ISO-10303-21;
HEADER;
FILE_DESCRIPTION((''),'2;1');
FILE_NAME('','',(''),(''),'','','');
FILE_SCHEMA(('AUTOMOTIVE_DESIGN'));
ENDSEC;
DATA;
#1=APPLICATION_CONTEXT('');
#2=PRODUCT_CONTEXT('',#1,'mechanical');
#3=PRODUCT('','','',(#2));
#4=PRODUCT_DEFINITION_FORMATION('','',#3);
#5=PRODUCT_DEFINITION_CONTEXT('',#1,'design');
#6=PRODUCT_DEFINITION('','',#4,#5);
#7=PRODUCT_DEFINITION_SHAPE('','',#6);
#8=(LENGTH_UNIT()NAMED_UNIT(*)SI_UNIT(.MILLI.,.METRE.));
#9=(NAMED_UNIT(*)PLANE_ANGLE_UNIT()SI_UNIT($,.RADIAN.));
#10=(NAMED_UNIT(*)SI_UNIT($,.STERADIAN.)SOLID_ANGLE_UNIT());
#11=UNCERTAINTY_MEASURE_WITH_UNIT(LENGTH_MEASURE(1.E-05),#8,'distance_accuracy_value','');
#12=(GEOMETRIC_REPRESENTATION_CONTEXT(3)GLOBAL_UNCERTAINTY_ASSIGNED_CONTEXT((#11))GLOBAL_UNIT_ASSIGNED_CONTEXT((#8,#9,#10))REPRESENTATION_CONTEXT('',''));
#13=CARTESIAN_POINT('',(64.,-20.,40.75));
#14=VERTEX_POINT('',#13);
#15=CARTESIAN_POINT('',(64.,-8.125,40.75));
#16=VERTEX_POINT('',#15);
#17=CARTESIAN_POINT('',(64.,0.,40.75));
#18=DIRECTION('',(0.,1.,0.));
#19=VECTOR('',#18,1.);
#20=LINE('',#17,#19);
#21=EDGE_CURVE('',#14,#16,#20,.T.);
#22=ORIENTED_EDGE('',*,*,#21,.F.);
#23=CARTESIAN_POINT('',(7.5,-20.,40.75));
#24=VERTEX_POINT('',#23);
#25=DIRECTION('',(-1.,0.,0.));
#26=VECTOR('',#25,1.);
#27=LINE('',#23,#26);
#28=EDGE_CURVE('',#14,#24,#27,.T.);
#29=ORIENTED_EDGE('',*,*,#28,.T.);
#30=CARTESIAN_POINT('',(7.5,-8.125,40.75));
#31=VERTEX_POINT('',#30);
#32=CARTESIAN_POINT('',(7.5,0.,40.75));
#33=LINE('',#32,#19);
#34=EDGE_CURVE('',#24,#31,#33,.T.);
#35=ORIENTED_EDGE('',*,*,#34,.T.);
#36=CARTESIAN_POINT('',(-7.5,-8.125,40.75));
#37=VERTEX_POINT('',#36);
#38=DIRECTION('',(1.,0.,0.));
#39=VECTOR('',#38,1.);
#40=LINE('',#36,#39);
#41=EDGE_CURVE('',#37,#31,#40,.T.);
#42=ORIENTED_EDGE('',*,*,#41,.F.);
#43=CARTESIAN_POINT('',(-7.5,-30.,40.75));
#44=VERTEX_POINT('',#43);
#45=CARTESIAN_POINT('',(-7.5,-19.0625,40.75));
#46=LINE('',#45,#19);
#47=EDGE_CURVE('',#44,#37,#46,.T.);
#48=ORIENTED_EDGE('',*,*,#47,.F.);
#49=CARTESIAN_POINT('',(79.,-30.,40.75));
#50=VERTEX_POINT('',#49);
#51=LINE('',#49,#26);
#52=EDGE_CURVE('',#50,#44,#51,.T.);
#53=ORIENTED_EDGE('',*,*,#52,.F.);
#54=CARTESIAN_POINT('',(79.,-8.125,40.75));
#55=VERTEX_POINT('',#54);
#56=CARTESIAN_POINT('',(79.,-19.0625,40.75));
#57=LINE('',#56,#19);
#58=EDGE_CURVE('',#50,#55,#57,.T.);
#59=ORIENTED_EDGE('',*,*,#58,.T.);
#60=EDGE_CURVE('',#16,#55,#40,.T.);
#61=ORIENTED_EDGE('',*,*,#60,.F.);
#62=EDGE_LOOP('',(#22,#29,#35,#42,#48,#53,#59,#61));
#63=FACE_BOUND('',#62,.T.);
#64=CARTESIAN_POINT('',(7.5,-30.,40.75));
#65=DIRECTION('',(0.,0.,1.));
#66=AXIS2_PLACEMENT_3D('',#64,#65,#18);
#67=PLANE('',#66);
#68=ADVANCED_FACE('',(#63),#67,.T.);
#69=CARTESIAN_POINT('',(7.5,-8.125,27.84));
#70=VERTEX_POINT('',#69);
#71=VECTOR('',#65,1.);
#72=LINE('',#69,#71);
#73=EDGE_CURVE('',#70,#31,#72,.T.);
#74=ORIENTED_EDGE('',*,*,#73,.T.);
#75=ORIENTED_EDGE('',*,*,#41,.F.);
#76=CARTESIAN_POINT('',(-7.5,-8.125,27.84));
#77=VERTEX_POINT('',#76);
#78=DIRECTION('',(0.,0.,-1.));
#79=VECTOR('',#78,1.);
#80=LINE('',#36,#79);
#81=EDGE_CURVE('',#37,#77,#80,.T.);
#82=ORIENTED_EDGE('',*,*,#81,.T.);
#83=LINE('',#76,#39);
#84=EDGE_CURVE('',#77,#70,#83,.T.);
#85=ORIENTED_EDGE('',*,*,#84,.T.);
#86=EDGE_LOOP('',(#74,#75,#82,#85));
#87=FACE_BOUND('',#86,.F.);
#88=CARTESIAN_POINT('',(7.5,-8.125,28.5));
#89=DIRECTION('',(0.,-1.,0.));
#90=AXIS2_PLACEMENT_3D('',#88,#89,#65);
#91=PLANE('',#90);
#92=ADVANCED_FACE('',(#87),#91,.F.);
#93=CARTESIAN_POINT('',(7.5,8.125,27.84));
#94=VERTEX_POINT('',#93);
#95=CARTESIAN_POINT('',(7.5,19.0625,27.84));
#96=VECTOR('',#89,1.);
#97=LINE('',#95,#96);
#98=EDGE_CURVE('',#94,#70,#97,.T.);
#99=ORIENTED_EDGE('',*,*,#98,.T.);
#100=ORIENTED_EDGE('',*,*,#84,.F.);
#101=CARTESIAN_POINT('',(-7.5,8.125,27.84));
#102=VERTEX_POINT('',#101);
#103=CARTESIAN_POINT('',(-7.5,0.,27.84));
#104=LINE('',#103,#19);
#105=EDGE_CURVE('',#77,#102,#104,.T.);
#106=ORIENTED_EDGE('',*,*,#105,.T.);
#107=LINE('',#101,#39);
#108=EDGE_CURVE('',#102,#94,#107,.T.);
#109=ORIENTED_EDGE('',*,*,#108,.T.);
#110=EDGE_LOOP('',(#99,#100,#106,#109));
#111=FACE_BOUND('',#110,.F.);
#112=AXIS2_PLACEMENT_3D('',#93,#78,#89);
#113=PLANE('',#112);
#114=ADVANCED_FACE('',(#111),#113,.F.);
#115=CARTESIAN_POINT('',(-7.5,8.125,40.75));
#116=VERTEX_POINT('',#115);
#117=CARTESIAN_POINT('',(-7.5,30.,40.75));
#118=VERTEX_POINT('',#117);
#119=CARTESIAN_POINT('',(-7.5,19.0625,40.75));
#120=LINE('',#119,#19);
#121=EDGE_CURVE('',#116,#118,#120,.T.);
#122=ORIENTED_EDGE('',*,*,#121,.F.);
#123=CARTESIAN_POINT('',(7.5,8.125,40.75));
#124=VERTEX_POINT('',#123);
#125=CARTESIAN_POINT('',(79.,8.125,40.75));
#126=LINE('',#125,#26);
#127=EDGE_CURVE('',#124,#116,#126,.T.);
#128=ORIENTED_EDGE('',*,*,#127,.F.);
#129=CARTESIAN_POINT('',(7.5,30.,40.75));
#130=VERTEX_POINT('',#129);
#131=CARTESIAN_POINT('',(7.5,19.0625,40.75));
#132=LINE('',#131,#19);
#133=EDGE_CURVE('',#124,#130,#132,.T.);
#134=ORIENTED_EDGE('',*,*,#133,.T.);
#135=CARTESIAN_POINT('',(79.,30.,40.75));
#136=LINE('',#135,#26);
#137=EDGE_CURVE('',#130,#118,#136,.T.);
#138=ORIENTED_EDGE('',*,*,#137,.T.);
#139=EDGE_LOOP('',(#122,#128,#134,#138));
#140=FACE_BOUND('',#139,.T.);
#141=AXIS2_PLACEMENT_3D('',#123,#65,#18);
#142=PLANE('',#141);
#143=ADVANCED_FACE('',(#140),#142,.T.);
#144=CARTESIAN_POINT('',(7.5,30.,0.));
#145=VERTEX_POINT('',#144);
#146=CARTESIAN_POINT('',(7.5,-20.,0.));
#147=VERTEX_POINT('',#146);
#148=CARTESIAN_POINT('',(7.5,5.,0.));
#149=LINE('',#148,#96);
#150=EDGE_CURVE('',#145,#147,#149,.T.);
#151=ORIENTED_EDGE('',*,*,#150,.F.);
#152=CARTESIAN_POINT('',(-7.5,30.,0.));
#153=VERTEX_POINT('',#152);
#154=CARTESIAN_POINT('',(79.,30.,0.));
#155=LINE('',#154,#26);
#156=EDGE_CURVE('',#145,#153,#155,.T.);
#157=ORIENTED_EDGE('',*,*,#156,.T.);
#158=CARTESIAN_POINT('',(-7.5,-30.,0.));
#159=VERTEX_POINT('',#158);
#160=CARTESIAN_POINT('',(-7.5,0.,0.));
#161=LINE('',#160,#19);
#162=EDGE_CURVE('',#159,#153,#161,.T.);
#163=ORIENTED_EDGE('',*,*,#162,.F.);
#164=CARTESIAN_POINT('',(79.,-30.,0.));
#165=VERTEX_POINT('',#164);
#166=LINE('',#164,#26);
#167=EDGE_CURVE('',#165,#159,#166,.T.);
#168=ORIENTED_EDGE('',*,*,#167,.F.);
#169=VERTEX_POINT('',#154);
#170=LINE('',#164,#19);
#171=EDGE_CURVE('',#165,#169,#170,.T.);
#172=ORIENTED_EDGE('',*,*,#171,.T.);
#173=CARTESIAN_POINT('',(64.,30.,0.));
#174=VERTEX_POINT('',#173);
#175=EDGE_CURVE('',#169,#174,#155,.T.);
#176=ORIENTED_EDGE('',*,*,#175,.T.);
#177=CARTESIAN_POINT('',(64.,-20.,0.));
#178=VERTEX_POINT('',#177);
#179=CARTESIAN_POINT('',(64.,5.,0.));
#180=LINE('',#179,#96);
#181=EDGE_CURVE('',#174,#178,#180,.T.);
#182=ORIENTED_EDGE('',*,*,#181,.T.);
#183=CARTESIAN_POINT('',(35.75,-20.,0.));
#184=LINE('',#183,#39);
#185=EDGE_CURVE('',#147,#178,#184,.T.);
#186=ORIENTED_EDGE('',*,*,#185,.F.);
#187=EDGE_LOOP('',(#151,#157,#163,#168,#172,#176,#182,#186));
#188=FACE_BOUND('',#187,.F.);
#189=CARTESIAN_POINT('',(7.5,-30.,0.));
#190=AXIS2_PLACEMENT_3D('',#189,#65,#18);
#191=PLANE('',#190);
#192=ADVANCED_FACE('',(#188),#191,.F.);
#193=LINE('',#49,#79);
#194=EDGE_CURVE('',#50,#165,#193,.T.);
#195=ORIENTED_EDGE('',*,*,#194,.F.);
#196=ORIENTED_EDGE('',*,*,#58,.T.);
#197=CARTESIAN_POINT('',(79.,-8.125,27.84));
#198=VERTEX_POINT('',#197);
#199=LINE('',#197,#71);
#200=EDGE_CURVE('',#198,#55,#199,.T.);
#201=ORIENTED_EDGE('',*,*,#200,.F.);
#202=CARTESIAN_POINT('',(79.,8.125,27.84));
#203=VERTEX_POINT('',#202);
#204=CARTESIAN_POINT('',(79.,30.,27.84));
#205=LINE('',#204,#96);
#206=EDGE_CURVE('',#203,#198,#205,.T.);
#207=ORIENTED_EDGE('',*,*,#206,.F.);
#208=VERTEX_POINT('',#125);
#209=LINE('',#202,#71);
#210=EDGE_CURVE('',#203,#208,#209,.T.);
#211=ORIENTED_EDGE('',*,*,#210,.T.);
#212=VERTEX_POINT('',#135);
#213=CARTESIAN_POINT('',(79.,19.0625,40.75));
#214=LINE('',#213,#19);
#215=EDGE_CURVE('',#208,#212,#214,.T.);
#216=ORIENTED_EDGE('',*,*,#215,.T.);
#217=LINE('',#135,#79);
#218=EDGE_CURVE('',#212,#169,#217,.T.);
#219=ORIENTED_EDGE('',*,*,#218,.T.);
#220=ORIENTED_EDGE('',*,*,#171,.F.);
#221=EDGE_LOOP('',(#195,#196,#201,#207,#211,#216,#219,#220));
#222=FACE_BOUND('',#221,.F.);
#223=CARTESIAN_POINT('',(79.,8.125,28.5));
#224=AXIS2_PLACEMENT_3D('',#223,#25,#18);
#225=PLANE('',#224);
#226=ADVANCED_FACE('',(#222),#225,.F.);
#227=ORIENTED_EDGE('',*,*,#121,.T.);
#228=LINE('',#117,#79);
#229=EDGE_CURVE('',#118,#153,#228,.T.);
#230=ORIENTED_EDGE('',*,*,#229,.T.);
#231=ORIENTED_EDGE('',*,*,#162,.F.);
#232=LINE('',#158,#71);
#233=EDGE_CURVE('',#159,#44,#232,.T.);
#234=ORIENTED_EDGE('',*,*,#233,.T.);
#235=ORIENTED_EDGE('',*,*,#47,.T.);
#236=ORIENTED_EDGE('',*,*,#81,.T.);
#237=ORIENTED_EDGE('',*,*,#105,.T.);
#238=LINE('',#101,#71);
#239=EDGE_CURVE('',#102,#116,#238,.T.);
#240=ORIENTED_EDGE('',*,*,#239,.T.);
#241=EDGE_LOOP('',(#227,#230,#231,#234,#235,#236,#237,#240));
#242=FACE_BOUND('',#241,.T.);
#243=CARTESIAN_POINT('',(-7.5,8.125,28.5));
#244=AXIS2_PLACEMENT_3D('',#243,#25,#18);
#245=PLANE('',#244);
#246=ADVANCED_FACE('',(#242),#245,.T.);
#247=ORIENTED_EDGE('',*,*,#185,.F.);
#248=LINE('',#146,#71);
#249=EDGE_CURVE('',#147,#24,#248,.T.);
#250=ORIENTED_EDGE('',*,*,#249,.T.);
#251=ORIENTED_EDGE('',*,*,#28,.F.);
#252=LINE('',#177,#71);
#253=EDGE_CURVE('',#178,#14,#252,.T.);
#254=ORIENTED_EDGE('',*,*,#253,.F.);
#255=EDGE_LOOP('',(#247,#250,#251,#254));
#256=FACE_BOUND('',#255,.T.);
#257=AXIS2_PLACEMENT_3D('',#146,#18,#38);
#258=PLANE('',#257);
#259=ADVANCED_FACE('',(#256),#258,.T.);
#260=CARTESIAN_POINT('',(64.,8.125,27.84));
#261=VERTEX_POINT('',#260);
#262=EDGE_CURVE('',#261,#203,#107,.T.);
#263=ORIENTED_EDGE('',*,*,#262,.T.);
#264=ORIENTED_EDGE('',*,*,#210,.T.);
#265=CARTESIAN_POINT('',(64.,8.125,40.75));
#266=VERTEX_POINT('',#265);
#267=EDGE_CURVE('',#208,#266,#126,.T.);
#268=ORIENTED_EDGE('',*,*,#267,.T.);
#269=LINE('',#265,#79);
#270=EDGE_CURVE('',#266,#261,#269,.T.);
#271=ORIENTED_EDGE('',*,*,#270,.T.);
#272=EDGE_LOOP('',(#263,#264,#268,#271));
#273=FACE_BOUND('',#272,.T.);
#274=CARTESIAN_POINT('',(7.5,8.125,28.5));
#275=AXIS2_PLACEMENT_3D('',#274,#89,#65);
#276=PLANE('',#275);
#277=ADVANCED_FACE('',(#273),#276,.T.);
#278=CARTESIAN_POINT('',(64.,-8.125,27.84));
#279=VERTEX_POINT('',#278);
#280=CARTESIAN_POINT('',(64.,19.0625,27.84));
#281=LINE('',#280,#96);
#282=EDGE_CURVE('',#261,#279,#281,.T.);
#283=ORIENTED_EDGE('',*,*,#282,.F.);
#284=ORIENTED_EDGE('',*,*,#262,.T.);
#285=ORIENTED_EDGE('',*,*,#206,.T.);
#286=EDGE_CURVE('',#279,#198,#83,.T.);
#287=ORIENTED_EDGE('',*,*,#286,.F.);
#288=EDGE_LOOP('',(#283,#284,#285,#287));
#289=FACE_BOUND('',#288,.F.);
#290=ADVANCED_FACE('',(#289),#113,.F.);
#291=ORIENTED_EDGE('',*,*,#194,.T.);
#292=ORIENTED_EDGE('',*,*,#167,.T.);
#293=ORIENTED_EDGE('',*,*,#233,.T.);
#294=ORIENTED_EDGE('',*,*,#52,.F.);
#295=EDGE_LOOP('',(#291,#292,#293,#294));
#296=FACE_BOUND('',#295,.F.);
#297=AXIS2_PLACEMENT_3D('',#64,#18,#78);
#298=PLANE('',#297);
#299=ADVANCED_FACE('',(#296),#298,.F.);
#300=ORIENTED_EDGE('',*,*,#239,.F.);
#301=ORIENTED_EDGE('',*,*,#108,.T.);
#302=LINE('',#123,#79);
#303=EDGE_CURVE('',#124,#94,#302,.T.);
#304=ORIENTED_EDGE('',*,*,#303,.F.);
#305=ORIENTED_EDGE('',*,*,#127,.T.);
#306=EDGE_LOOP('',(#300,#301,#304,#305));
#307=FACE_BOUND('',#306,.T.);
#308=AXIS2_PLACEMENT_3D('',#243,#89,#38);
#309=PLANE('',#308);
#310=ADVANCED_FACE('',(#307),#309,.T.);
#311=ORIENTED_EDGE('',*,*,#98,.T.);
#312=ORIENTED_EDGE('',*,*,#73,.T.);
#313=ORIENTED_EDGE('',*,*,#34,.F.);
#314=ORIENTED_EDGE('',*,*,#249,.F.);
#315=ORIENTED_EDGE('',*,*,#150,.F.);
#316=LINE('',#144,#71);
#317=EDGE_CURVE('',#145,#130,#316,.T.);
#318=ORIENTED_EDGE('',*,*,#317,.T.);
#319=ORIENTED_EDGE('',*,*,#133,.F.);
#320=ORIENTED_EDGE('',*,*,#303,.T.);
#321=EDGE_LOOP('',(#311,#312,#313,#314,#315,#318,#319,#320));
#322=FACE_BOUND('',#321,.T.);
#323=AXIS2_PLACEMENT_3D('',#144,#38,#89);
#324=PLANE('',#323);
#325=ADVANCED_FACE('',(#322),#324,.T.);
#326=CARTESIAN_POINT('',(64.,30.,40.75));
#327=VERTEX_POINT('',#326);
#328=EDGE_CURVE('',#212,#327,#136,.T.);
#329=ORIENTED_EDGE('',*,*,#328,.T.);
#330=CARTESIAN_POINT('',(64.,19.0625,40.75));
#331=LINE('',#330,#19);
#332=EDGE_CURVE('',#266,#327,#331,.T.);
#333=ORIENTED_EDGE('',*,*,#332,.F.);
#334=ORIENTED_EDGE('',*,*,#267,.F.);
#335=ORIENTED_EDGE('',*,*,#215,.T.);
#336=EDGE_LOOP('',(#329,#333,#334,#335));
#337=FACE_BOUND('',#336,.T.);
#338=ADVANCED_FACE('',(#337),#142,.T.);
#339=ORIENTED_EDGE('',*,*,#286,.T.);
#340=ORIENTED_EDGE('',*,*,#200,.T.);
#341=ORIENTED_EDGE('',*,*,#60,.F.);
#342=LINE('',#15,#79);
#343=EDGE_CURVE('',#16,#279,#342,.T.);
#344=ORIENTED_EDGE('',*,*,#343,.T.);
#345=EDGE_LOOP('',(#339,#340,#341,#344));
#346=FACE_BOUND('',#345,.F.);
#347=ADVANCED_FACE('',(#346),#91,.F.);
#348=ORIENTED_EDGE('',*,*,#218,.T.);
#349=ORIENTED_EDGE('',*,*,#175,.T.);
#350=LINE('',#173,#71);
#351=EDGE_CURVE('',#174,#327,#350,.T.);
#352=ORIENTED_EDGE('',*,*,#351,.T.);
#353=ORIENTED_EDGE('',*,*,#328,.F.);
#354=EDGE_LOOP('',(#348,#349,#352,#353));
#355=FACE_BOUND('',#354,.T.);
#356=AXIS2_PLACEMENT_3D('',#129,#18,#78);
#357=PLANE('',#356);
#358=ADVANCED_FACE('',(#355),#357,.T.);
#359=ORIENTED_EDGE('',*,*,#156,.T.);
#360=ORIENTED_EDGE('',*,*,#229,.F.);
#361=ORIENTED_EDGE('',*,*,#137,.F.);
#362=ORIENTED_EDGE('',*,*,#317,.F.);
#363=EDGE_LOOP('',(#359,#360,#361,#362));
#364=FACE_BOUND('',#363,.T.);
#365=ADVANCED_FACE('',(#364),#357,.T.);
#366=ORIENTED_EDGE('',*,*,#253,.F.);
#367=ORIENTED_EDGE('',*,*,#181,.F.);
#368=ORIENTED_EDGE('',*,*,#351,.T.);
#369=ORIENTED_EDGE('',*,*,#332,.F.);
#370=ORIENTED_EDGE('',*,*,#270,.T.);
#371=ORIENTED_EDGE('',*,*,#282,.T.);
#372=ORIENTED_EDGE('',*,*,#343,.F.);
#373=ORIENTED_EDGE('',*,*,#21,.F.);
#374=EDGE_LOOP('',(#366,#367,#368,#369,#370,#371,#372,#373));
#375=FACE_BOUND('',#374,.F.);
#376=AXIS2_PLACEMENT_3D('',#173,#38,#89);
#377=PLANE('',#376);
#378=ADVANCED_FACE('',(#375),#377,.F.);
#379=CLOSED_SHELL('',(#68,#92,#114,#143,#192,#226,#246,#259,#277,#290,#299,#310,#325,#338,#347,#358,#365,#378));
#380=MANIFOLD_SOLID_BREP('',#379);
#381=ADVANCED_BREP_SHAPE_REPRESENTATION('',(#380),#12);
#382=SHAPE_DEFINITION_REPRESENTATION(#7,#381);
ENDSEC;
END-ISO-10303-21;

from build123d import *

# Parameters (mm, degrees)
F0_W     = 15
F0_H     = 60
F1_DEPTH = 28.5
F3_W     = 56.5
F3_H     = 50
F4_DEPTH = 28.501
F2_W     = 15
F2_H     = 21.875
F5_DEPTH = 12.25
F6_DEPTH = 71.5
F7_DEPTH = 40.751
F8_DEPTH = 0.66


with BuildPart() as f1:
    # F0 (on Top) → F1 (new body)
    with BuildSketch(Plane.XY):
        Rectangle(F0_W, F0_H)
    extrude(amount=F1_DEPTH)

    # F3 (on face) → F4 (cut, through all)
    with BuildSketch(Plane(origin=(0, 0, 0), x_dir=(1, 0, 0), z_dir=(0, 0, -1))):
        with Locations((35.75, -5)):
            Rectangle(F3_W, F3_H)
    extrude(amount=-F4_DEPTH, mode=Mode.SUBTRACT)

    # F2 (on face) → F5 (join)
    with BuildSketch(Plane.XY.offset(28.5)):
        with Locations((0, 19.0625)):
            Rectangle(F2_W, F2_H)
        with Locations((0, -19.0625)):
            Rectangle(F2_W, F2_H)
    extrude(amount=F5_DEPTH)

    # F6 (add): a face of the model
    f6_faces = [f1.faces().sort_by_distance(p)[0] for p in [
        (7.5, 0, 19.1119903993),
    ]]
    extrude(f6_faces, amount=F6_DEPTH)

    # F3 (on face) → F7 (cut, through all)
    with BuildSketch(Plane(origin=(0, 0, 0), x_dir=(1, 0, 0), z_dir=(0, 0, -1))):
        with Locations((35.75, -5)):
            Rectangle(F3_W, F3_H)
    extrude(amount=-F7_DEPTH, mode=Mode.SUBTRACT)

    # F8 (cut): faces of the model
    f8_faces = [f1.faces().sort_by_distance(p)[0] for p in [
        (0, 0, 28.5),
        (71.5, 0, 28.5),
    ]]
    extrude(f8_faces, amount=-F8_DEPTH, mode=Mode.SUBTRACT)


solid = f1.part
